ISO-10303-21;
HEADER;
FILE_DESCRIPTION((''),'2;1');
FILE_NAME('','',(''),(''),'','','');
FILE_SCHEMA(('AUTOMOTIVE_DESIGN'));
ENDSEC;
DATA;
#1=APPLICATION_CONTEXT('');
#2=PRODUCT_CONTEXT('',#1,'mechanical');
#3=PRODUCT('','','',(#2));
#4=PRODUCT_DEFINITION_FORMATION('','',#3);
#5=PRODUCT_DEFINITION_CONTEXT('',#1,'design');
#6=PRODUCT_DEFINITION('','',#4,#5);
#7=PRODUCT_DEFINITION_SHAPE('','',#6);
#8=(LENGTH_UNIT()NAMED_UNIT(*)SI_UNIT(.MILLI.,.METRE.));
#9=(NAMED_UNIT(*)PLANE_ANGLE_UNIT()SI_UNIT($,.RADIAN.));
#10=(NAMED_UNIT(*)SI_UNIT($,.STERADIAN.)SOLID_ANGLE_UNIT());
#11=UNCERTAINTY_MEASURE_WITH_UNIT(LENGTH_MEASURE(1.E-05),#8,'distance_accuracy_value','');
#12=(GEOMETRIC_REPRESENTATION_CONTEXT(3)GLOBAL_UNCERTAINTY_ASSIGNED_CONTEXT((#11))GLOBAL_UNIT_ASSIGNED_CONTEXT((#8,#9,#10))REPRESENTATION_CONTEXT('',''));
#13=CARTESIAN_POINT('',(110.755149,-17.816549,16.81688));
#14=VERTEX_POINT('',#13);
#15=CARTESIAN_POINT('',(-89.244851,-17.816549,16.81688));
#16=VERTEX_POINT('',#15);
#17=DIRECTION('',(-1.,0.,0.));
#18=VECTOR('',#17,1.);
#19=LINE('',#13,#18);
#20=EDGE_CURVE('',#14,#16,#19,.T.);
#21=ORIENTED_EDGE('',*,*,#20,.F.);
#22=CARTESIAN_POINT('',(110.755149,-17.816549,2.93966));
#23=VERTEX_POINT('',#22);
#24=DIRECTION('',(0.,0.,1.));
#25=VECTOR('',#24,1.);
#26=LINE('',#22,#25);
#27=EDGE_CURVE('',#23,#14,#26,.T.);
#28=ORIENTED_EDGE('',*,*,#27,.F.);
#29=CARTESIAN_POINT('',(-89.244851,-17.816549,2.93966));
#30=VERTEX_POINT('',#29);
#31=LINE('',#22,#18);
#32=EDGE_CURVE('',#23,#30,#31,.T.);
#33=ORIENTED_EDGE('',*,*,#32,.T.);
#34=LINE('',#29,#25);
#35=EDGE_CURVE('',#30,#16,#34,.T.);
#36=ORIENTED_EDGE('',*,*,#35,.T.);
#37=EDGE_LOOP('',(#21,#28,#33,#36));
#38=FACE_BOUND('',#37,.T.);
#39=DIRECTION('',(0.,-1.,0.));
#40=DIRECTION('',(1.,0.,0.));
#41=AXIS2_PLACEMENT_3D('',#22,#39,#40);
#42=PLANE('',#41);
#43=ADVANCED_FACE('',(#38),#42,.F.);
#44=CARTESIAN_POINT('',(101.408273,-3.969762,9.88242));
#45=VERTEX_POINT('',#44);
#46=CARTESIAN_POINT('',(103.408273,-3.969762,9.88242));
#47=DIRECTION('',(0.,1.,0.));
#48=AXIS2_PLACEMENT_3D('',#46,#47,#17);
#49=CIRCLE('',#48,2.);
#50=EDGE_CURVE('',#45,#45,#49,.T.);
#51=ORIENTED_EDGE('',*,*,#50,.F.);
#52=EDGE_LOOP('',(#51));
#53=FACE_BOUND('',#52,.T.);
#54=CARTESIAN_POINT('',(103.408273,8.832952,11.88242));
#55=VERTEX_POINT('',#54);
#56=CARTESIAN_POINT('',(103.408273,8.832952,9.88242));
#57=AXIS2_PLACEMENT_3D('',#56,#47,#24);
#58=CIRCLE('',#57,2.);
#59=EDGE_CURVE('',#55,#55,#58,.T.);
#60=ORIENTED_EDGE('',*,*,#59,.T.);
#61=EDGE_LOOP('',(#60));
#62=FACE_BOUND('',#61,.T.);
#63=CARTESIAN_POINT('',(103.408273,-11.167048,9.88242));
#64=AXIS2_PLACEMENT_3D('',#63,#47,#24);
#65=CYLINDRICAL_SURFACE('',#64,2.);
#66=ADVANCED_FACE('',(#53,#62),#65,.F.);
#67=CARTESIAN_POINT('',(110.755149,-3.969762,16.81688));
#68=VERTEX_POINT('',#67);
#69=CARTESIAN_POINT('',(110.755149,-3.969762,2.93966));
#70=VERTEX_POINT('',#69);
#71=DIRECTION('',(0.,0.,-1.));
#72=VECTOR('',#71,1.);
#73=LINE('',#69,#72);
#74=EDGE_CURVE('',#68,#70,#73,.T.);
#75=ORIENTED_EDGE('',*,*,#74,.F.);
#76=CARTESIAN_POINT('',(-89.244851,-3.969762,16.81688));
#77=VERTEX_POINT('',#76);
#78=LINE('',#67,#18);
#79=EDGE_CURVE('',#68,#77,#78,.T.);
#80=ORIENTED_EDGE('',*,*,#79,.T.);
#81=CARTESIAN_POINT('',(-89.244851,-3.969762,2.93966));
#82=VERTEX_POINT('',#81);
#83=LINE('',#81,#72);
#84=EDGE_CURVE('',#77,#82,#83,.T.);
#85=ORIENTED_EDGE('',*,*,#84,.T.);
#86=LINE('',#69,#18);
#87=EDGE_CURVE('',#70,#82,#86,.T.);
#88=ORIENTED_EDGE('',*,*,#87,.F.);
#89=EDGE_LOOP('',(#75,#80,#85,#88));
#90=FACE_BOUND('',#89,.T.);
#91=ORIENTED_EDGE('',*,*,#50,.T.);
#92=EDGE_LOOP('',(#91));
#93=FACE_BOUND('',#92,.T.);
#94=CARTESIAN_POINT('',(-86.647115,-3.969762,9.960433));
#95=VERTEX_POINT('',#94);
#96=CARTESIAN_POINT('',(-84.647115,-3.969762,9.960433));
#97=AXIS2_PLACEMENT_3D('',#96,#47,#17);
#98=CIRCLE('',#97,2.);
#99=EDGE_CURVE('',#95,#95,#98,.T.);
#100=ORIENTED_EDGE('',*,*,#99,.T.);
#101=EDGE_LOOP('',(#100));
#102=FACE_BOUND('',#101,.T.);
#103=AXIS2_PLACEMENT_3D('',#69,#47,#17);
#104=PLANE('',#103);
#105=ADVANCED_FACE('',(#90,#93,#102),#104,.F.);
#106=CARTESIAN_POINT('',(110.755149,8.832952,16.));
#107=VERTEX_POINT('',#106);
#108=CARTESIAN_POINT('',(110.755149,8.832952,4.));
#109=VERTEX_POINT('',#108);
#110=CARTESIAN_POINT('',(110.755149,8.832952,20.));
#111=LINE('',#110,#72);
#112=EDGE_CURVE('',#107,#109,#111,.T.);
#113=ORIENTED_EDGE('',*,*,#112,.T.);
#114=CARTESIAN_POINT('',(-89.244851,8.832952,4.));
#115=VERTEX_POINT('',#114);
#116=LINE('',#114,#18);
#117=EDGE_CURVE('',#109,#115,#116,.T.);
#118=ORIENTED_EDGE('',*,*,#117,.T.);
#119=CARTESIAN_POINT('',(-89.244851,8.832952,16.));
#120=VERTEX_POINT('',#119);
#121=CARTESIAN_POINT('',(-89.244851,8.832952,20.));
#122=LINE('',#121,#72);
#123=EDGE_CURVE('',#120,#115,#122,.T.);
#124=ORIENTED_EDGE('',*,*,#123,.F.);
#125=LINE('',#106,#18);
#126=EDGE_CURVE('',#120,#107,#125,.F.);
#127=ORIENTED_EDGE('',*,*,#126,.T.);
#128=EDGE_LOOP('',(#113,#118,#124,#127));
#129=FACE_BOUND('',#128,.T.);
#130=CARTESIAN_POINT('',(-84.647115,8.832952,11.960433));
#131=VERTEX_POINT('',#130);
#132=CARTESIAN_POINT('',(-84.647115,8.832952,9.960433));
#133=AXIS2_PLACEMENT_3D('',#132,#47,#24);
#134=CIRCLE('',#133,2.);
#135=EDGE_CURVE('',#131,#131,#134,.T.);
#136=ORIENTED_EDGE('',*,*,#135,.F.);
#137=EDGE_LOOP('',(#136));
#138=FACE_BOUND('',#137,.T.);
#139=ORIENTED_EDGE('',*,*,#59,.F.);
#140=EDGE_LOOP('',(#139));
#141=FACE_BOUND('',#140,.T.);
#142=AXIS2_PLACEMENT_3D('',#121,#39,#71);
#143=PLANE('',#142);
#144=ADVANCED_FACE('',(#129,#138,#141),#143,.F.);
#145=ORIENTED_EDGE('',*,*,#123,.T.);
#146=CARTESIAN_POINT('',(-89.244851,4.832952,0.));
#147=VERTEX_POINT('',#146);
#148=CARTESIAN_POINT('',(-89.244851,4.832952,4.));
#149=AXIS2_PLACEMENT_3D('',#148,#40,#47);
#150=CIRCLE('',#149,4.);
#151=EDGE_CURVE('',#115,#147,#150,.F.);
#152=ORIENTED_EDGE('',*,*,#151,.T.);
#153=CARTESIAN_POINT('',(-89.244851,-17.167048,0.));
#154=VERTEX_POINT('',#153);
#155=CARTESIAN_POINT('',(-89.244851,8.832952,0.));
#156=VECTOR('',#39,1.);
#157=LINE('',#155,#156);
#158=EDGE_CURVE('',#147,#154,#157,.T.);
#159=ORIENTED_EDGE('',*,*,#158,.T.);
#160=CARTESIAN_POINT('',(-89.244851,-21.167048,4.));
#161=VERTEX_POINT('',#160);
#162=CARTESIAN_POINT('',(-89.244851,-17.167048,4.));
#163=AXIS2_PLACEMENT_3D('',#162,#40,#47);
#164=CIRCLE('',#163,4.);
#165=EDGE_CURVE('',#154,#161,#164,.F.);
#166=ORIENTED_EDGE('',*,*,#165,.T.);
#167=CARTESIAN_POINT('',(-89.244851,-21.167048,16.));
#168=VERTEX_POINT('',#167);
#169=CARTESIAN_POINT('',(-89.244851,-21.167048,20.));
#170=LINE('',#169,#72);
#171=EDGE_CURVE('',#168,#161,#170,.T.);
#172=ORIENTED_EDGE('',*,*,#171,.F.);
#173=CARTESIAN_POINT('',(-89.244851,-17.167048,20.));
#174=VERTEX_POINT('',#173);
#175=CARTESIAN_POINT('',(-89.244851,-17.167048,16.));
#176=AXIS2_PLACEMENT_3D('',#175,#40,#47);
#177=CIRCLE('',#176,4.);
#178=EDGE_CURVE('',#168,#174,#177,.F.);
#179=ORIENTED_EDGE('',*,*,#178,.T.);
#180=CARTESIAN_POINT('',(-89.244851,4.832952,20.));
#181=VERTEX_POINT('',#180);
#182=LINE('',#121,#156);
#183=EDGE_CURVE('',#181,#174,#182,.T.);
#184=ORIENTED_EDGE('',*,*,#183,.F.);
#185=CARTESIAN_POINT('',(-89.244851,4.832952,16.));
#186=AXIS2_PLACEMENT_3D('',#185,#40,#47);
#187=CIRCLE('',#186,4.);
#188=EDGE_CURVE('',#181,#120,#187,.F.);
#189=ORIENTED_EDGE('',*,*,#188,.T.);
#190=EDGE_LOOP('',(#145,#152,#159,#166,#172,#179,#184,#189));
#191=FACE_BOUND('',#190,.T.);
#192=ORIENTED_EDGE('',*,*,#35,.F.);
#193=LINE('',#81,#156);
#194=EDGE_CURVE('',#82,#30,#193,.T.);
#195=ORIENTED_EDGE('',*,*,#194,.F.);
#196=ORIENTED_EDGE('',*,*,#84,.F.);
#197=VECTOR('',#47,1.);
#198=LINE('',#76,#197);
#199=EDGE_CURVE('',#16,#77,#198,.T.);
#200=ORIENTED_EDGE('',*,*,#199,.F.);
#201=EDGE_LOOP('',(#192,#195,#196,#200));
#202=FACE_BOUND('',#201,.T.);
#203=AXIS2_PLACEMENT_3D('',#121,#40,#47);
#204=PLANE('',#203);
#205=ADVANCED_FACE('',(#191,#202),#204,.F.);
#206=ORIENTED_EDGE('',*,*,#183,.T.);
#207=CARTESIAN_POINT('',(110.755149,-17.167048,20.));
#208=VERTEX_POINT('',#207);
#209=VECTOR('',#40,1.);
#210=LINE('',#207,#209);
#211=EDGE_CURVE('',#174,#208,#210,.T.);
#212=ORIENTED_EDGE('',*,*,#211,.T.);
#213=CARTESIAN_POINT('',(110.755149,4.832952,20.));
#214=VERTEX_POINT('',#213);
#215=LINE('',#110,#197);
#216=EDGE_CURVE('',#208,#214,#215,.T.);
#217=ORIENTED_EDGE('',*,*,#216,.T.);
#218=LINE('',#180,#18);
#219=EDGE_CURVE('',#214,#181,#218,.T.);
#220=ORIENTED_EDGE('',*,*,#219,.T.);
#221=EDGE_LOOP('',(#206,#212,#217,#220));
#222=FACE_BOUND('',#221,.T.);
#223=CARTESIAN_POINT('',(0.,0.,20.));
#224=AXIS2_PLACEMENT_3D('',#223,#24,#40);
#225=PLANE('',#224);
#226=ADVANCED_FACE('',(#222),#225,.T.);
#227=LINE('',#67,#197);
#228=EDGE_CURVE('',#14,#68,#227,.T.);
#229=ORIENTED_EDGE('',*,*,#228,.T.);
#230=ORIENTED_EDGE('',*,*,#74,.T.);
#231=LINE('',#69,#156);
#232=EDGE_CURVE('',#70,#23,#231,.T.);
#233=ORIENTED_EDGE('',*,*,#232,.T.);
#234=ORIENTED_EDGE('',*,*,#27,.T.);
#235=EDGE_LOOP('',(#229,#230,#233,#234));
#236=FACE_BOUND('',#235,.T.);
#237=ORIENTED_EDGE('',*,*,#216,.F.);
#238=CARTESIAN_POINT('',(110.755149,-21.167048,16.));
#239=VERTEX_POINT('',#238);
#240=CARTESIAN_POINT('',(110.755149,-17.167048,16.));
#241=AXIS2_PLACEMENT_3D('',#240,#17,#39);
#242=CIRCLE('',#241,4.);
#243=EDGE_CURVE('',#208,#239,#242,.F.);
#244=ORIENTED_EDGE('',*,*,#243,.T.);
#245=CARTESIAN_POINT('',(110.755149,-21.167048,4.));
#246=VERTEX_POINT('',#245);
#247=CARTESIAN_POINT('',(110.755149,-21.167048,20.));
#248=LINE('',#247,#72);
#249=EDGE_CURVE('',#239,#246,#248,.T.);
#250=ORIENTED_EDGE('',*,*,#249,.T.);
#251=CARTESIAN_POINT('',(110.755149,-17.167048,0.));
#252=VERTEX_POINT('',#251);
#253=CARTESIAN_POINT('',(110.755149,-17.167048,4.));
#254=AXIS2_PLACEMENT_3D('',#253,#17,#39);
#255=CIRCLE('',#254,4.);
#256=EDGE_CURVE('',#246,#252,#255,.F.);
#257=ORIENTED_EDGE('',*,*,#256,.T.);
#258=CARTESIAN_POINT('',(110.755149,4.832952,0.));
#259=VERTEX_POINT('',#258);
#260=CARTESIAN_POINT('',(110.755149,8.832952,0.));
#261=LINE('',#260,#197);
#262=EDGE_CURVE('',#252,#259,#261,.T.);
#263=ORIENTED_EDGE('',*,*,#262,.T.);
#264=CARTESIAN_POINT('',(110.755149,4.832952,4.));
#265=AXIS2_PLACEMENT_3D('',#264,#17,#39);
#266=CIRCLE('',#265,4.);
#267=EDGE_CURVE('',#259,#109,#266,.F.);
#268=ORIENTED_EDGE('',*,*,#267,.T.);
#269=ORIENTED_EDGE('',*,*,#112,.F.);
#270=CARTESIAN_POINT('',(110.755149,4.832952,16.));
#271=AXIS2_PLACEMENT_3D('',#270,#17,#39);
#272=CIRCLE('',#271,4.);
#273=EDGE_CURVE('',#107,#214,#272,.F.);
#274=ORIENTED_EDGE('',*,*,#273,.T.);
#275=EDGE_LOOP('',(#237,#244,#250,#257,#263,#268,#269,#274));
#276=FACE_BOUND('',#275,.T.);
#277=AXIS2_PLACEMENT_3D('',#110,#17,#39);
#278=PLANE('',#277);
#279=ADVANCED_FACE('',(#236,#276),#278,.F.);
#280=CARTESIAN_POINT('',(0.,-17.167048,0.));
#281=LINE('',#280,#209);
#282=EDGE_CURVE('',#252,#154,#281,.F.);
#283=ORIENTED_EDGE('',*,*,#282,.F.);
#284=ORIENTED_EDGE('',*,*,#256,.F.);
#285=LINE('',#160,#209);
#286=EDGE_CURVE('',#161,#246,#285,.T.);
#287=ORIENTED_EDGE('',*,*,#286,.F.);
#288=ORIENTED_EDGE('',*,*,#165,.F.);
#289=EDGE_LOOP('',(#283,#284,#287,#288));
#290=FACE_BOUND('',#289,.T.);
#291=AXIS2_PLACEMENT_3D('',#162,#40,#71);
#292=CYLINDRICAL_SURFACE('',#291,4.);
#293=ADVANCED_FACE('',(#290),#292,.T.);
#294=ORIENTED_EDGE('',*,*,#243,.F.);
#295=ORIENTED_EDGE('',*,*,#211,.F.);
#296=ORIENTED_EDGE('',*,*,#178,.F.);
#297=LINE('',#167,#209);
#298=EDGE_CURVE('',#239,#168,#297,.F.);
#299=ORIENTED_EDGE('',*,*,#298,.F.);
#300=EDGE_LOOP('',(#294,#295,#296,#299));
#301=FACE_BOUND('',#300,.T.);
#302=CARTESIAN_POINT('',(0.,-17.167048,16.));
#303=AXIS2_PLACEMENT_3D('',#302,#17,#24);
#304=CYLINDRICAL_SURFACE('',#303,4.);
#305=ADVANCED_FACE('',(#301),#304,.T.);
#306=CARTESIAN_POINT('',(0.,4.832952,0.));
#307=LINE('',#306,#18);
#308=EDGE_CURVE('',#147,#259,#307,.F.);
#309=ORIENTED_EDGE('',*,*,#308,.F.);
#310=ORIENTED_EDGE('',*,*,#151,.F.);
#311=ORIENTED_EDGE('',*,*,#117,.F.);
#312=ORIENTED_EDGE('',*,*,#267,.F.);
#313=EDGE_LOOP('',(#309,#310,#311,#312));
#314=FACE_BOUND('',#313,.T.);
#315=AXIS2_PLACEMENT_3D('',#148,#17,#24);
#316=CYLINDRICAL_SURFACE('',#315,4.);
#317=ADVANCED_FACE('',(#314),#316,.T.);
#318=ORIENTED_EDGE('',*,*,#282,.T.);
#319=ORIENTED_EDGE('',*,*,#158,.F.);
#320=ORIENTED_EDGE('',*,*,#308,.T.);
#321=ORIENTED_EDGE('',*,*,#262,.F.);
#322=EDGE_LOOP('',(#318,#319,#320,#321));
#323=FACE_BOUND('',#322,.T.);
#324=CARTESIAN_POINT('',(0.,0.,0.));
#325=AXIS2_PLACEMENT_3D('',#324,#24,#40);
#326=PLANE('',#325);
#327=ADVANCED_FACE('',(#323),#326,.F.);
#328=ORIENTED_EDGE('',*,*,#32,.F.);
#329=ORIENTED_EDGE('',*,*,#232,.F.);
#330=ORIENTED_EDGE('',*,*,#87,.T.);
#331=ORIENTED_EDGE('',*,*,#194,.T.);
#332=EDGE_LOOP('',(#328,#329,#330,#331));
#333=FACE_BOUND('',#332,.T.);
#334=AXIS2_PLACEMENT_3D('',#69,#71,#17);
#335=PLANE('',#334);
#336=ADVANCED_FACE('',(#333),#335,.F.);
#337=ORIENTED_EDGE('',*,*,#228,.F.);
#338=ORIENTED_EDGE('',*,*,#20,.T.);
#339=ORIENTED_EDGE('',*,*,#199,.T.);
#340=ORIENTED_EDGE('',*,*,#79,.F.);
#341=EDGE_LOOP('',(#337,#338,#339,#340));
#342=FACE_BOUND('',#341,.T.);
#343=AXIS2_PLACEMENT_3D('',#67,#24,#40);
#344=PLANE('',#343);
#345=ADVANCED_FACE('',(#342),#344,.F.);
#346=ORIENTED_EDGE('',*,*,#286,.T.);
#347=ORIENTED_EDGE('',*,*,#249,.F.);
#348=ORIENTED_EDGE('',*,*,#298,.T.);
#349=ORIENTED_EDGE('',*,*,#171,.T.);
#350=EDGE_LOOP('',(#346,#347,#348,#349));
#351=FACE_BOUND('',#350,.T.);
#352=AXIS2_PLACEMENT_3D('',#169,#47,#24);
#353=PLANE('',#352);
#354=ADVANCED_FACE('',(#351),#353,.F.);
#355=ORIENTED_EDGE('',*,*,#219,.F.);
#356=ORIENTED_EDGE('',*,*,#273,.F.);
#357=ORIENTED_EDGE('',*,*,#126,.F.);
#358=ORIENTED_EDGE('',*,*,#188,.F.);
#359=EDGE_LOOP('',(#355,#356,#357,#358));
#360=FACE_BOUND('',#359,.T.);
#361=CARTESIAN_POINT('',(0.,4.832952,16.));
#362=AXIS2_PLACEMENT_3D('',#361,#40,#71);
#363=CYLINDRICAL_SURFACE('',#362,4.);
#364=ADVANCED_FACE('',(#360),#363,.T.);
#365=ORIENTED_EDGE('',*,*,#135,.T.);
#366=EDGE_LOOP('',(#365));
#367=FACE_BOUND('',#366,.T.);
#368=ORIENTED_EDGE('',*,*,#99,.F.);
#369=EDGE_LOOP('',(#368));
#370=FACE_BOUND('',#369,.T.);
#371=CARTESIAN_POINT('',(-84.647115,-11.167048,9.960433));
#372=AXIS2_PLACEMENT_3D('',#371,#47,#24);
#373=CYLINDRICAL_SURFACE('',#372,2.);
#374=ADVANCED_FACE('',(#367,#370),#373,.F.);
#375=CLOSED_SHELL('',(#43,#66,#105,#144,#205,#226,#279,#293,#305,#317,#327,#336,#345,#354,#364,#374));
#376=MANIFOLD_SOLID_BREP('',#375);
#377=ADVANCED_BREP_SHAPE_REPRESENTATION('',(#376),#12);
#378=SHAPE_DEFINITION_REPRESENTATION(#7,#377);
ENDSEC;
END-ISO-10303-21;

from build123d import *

# Parameters (mm, degrees)
SKETCH1_W           = 200
SKETCH1_H           = 30
BOSS_EXTRUDE1_DEPTH = 20
FILLET8_R           = 4
SKETCH3_W           = 13.877219135
SKETCH3_H           = 13.846786638
CUT_EXTRUDE1_DEPTH  = 200
SKETCH4_R           = 2
CUT_EXTRUDE2_DEPTH  = 20
SKETCH5_R           = 2
CUT_EXTRUDE3_DEPTH  = 20


with BuildPart() as part:
    # Sketch1 → Boss-Extrude1 (new body)
    with BuildSketch(Plane.XY):
        with Locations((10.755148741, -6.167048055)):
            Rectangle(SKETCH1_W, SKETCH1_H)
    extrude(amount=BOSS_EXTRUDE1_DEPTH)

    # Fillet8
    fillet8_edges = [part.edges().sort_by_distance(p)[0] for p in [
        (10.755148741, 8.832951945, 20),
        (10.755148741, 8.832951945, 0),
        (10.755148741, -21.167048055, 0),
        (10.755148741, -21.167048055, 20),
    ]]
    fillet(fillet8_edges, radius=FILLET8_R)

    # Sketch3 → Cut-Extrude1 (cut)
    with BuildSketch(Plane.ZY.offset(89.244851259)):
        with Locations((9.878270008, -10.893155572)):
            Rectangle(SKETCH3_W, SKETCH3_H)
    extrude(amount=-CUT_EXTRUDE1_DEPTH, mode=Mode.SUBTRACT)

    # Sketch4 → Cut-Extrude2 (cut)
    with BuildSketch(Plane(origin=(0, 8.832951945, 0), x_dir=(1, 0, 0), z_dir=(0, 1, 0))):
        with Locations((-84.647114684, -9.960432704)):
            Circle(SKETCH4_R)
    extrude(amount=-CUT_EXTRUDE2_DEPTH, mode=Mode.SUBTRACT)

    # Sketch5 → Cut-Extrude3 (cut)
    with BuildSketch(Plane(origin=(0, 8.832951945, 0), x_dir=(1, 0, 0), z_dir=(0, 1, 0))):
        with Locations((103.408272514, -9.882419894)):
            Circle(SKETCH5_R)
    extrude(amount=-CUT_EXTRUDE3_DEPTH, mode=Mode.SUBTRACT)


solid = part.part
